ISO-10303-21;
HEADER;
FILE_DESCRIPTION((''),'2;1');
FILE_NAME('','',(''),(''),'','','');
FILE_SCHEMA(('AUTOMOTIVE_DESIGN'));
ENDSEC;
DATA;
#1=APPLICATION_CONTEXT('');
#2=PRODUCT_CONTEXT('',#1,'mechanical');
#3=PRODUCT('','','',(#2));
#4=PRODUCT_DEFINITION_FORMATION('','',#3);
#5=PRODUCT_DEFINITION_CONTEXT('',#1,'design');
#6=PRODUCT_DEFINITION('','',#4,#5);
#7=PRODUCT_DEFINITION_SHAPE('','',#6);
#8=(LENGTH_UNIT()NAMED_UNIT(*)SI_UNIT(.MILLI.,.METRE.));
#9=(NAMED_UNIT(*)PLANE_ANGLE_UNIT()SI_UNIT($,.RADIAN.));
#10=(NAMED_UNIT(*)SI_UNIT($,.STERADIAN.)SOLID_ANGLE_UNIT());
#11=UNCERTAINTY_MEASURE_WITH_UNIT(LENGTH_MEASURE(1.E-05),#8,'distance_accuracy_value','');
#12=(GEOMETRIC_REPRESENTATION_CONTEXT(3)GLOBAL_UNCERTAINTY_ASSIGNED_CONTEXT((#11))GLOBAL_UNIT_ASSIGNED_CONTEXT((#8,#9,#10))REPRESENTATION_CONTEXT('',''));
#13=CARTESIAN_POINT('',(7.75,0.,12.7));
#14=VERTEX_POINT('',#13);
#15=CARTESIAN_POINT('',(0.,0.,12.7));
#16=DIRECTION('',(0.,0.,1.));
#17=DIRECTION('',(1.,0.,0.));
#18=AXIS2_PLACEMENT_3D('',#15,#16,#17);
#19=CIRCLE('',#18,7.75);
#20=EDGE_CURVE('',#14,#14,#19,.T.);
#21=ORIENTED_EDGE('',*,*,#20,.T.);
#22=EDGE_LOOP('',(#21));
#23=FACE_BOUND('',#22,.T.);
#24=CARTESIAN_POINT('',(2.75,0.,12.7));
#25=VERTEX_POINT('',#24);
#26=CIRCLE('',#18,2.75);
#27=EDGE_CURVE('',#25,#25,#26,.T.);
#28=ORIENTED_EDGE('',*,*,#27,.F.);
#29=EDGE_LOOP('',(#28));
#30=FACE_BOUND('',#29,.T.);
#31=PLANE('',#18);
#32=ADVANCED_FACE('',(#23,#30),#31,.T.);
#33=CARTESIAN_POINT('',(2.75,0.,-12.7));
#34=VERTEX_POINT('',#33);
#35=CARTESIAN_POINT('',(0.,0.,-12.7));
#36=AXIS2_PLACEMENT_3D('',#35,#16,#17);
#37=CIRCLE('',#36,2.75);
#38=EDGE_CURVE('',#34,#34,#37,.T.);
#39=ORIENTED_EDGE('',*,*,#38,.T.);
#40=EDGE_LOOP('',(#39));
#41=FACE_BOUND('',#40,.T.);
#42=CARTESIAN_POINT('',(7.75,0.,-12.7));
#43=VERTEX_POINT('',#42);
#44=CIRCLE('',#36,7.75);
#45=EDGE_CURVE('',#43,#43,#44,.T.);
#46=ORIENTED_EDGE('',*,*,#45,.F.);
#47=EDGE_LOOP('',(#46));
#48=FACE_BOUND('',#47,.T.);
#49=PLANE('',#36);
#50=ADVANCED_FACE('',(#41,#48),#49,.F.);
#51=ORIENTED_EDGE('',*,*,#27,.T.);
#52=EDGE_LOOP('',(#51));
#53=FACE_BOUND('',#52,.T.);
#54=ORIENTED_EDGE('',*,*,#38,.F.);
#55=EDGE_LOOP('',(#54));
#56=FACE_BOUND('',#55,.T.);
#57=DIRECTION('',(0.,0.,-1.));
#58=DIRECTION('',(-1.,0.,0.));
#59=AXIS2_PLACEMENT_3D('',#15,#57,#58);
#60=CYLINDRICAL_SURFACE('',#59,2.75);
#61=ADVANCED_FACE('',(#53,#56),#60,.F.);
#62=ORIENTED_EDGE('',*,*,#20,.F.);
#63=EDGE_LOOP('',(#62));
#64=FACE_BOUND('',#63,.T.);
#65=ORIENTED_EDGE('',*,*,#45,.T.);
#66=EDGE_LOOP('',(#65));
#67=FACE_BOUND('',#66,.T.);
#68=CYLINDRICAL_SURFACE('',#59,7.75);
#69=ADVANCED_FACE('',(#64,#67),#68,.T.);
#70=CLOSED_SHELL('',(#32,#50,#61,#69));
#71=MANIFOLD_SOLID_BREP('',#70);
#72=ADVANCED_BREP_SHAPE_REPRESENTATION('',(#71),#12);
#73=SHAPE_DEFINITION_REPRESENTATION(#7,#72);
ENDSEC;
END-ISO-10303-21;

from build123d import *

# Parameters (mm, degrees)
SKETCH1_R           = 7.75
SKETCH1_R_2         = 2.75
BOSS_EXTRUDE1_DEPTH = 12.7


with BuildPart() as part:
    # Sketch1 → Boss-Extrude1 (new, symmetric)
    with BuildSketch(Plane.XY):
        Circle(SKETCH1_R)
        Circle(SKETCH1_R_2, mode=Mode.SUBTRACT)
    extrude(amount=BOSS_EXTRUDE1_DEPTH, both=True)


solid = part.part
